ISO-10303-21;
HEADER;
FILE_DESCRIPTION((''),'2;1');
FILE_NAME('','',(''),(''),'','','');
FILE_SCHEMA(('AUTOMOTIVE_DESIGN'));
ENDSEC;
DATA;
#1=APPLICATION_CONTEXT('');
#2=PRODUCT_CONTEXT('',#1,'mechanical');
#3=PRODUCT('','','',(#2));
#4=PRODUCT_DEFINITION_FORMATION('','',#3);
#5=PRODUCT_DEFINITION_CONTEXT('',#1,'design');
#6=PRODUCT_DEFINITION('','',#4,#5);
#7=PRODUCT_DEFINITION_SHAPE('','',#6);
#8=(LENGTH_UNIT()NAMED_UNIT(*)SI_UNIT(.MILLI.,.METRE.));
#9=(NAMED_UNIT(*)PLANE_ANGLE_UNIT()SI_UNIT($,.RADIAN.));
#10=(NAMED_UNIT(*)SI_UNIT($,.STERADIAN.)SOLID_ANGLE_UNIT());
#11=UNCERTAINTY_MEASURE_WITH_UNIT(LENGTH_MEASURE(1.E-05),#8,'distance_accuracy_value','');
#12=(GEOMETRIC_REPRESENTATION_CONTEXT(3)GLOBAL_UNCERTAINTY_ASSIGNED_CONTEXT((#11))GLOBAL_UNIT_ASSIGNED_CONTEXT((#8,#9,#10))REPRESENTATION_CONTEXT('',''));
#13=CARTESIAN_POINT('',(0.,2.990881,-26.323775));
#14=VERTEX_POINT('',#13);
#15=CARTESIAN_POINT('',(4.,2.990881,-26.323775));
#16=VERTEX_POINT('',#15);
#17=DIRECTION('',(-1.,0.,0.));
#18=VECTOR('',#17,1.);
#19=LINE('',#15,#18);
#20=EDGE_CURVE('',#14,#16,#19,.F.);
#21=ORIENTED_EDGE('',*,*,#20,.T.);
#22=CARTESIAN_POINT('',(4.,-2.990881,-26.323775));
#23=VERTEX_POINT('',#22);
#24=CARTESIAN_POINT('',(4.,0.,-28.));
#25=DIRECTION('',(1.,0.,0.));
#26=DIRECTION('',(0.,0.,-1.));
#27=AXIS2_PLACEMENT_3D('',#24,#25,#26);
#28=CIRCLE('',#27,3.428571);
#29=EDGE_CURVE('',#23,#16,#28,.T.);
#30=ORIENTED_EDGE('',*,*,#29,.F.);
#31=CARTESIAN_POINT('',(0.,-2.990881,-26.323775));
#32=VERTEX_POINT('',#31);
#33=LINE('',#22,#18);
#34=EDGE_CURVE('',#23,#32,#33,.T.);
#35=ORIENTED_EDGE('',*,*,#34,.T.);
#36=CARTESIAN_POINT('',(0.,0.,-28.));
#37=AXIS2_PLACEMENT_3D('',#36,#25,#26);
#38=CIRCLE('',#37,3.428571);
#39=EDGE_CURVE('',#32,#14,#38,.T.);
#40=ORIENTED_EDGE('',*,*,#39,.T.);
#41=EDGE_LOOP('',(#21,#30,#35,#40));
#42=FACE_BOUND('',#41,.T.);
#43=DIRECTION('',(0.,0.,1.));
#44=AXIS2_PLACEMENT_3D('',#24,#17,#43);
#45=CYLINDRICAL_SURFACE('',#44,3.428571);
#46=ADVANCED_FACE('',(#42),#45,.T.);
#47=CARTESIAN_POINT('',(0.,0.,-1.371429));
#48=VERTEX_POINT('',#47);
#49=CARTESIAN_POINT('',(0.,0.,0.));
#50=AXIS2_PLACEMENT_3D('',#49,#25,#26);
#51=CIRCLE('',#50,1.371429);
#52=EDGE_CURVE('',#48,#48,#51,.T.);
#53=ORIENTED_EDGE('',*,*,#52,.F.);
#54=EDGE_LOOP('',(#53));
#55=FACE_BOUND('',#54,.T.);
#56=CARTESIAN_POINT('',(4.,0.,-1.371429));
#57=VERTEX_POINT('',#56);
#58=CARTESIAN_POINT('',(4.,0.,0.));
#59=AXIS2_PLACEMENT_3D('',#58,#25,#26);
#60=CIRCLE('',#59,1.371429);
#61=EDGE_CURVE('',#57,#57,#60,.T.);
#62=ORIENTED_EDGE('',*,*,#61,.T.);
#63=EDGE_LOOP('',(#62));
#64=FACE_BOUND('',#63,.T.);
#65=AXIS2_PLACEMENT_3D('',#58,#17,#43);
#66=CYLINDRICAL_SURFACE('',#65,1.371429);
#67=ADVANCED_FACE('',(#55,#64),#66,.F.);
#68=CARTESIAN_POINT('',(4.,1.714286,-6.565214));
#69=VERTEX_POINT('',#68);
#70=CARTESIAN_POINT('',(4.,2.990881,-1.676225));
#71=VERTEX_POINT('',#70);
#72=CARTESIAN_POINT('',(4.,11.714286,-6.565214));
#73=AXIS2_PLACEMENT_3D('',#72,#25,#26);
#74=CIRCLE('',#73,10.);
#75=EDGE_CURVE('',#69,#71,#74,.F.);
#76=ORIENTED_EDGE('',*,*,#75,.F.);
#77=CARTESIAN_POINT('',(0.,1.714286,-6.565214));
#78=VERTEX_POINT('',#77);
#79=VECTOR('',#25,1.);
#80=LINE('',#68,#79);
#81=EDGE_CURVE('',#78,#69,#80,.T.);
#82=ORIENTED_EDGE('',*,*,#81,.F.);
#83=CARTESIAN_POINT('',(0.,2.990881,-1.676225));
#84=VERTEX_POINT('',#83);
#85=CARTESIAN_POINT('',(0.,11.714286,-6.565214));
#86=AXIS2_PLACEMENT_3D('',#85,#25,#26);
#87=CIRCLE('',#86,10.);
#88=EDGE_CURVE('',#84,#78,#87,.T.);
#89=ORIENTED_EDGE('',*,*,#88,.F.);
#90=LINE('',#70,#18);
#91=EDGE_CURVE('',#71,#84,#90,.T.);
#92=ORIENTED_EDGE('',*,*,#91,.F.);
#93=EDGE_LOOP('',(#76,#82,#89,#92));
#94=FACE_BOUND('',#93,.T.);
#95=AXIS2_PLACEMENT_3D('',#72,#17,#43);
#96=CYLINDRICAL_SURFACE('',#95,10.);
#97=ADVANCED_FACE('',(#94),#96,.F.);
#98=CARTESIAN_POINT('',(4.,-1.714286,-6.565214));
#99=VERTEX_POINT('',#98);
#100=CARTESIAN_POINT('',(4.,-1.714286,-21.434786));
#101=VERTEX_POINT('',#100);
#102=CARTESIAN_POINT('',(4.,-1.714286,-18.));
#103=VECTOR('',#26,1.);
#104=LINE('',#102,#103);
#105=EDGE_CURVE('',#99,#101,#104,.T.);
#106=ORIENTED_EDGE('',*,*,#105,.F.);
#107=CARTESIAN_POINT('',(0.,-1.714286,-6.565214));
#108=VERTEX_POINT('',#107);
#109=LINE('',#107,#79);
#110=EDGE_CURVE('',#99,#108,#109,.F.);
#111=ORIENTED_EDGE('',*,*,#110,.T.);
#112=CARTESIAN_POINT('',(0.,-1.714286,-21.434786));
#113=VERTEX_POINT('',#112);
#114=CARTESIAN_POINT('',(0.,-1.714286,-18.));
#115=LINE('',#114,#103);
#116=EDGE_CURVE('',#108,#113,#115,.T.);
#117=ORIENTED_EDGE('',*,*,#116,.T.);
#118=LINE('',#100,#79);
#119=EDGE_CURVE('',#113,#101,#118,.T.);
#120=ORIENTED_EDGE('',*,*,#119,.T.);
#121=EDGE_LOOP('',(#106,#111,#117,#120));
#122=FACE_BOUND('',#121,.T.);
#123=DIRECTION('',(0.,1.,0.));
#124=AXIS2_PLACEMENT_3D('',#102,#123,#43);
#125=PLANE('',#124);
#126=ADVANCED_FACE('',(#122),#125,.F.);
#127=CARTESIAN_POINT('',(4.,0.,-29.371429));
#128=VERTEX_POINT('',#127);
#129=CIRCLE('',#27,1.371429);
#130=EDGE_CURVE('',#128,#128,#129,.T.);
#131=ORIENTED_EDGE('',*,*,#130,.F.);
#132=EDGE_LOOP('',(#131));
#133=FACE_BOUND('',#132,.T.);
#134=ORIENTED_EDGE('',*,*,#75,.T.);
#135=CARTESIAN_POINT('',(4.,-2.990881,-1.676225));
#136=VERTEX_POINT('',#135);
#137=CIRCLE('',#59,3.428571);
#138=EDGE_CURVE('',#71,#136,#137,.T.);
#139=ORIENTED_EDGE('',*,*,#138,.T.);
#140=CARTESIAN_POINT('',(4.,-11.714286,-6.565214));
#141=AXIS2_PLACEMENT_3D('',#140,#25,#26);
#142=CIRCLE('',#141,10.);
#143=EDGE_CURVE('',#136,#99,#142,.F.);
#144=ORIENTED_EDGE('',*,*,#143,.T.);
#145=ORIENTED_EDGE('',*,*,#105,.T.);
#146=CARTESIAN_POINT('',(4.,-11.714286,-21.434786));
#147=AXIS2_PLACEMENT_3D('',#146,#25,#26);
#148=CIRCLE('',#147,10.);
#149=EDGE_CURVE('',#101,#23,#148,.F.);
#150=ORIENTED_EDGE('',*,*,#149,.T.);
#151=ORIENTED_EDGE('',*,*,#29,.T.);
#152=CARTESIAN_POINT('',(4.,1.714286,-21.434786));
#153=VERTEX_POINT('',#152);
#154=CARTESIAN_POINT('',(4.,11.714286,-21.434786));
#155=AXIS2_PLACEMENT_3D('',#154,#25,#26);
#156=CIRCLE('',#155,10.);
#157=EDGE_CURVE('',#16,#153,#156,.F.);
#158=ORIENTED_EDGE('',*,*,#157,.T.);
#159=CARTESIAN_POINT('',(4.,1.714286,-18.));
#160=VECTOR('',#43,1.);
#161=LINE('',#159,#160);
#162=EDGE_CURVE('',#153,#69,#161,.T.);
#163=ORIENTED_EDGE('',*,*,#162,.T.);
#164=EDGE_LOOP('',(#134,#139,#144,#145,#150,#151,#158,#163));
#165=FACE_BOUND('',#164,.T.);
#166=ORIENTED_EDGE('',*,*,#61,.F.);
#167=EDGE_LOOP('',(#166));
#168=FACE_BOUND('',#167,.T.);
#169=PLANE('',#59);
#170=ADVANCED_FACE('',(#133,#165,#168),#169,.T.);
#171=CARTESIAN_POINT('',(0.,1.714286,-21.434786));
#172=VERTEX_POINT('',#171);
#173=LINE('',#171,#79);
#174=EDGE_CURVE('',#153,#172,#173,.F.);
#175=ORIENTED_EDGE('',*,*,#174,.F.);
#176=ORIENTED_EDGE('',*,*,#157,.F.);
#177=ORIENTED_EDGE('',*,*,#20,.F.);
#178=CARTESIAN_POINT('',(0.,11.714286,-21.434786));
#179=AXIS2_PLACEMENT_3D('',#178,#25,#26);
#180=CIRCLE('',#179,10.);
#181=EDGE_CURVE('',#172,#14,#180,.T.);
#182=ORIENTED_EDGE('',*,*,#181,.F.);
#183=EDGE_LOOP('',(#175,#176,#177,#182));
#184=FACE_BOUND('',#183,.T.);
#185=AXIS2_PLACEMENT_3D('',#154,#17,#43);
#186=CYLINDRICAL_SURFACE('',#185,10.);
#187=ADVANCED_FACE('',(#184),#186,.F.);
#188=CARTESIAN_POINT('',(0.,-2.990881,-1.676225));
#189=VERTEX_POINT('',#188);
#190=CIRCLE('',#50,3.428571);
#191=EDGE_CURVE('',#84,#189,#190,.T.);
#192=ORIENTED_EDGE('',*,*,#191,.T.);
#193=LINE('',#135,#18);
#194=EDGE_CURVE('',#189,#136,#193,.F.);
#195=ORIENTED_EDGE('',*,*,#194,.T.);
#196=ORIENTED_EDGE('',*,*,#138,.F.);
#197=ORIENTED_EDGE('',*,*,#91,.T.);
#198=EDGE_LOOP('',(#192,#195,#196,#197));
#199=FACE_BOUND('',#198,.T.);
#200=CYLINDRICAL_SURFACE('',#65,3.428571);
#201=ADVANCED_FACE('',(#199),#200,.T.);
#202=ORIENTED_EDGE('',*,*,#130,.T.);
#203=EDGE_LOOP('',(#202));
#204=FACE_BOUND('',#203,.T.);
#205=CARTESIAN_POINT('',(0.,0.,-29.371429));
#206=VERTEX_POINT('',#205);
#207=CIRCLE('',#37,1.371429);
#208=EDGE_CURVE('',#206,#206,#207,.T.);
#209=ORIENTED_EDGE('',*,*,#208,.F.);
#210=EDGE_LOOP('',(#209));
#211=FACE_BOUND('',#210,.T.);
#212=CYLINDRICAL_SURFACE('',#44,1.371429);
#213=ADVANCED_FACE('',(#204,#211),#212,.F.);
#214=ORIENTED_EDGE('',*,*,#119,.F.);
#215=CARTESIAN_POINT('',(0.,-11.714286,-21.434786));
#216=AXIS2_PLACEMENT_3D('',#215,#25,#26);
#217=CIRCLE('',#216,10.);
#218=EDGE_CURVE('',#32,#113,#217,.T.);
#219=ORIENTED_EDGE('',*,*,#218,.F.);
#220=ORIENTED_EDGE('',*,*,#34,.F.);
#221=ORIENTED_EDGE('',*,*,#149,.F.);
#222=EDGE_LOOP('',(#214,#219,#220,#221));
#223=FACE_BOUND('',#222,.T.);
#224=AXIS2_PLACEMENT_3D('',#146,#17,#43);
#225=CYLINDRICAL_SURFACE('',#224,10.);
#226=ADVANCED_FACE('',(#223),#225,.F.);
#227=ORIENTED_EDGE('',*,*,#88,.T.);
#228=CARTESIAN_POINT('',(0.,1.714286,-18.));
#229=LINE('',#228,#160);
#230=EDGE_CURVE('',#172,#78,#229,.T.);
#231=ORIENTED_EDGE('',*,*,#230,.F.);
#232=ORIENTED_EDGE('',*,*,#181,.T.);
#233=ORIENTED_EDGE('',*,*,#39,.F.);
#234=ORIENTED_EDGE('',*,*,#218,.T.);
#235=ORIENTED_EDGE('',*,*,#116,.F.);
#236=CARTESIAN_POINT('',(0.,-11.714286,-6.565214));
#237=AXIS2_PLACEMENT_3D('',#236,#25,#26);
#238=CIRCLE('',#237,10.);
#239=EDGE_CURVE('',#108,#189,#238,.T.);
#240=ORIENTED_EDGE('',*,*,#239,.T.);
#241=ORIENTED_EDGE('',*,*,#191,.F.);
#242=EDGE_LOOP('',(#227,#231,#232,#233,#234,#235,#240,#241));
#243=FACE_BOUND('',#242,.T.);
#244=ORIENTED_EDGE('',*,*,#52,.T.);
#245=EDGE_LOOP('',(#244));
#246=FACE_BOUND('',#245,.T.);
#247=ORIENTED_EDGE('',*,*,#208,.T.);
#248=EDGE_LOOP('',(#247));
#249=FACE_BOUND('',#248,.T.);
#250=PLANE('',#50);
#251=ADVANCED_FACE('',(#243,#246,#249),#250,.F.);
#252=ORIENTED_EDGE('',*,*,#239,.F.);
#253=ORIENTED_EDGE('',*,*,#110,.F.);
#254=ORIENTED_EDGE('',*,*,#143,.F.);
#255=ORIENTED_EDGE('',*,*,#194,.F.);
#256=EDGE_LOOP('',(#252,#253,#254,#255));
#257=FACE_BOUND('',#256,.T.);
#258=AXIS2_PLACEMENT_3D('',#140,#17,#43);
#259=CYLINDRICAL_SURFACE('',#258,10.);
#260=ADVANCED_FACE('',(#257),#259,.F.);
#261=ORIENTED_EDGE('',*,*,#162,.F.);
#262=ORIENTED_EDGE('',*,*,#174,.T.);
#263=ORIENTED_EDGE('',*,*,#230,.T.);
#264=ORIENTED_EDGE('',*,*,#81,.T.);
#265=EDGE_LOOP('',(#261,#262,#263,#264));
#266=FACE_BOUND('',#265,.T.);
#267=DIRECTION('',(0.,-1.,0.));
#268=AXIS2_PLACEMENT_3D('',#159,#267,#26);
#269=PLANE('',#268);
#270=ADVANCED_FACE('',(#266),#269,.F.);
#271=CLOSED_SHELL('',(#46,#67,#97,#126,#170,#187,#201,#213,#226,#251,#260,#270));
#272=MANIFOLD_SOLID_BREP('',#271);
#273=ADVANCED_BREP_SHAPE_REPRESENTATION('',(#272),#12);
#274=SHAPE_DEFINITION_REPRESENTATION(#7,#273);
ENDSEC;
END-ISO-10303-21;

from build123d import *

# Parameters (mm, degrees)
SKETCH1_R           = 1.371428571
BOSS_EXTRUDE1_DEPTH = 4
FILLET1_R           = 10


with BuildPart() as part:
    # Sketch1 → Boss-Extrude1 (new body)
    with BuildSketch(Plane(origin=(0, 0, 0), x_dir=(0, 0, -1), z_dir=(1, 0, 0))):
        with BuildLine():
            Line((18, 1.714285714), (25.030770044, 1.714285714))
            ThreePointArc((25.030770044, 1.714285714), (31.428571429, 0), (25.030770044, -1.714285714))
            Line((25.030770044, -1.714285714), (18, -1.714285714))
            Line((18, -1.714285714), (2.969229956, -1.714285714))
            ThreePointArc((2.969229956, -1.714285714), (-3.428571429, 0), (2.969229956, 1.714285714))
            Line((2.969229956, 1.714285714), (18, 1.714285714))
        make_face()
        Circle(SKETCH1_R, mode=Mode.SUBTRACT)
        with Locations((28, 0)):
            Circle(SKETCH1_R, mode=Mode.SUBTRACT)
    extrude(amount=BOSS_EXTRUDE1_DEPTH)

    # Fillet1
    fillet1_edges = [part.edges().sort_by_distance(p)[0] for p in [
        (2, 1.714285714, -25.030770044),
        (2, -1.714285714, -25.030770044),
        (2, -1.714285714, -2.969229956),
        (2, 1.714285714, -2.969229956),
    ]]
    fillet(fillet1_edges, radius=FILLET1_R)


solid = part.part
